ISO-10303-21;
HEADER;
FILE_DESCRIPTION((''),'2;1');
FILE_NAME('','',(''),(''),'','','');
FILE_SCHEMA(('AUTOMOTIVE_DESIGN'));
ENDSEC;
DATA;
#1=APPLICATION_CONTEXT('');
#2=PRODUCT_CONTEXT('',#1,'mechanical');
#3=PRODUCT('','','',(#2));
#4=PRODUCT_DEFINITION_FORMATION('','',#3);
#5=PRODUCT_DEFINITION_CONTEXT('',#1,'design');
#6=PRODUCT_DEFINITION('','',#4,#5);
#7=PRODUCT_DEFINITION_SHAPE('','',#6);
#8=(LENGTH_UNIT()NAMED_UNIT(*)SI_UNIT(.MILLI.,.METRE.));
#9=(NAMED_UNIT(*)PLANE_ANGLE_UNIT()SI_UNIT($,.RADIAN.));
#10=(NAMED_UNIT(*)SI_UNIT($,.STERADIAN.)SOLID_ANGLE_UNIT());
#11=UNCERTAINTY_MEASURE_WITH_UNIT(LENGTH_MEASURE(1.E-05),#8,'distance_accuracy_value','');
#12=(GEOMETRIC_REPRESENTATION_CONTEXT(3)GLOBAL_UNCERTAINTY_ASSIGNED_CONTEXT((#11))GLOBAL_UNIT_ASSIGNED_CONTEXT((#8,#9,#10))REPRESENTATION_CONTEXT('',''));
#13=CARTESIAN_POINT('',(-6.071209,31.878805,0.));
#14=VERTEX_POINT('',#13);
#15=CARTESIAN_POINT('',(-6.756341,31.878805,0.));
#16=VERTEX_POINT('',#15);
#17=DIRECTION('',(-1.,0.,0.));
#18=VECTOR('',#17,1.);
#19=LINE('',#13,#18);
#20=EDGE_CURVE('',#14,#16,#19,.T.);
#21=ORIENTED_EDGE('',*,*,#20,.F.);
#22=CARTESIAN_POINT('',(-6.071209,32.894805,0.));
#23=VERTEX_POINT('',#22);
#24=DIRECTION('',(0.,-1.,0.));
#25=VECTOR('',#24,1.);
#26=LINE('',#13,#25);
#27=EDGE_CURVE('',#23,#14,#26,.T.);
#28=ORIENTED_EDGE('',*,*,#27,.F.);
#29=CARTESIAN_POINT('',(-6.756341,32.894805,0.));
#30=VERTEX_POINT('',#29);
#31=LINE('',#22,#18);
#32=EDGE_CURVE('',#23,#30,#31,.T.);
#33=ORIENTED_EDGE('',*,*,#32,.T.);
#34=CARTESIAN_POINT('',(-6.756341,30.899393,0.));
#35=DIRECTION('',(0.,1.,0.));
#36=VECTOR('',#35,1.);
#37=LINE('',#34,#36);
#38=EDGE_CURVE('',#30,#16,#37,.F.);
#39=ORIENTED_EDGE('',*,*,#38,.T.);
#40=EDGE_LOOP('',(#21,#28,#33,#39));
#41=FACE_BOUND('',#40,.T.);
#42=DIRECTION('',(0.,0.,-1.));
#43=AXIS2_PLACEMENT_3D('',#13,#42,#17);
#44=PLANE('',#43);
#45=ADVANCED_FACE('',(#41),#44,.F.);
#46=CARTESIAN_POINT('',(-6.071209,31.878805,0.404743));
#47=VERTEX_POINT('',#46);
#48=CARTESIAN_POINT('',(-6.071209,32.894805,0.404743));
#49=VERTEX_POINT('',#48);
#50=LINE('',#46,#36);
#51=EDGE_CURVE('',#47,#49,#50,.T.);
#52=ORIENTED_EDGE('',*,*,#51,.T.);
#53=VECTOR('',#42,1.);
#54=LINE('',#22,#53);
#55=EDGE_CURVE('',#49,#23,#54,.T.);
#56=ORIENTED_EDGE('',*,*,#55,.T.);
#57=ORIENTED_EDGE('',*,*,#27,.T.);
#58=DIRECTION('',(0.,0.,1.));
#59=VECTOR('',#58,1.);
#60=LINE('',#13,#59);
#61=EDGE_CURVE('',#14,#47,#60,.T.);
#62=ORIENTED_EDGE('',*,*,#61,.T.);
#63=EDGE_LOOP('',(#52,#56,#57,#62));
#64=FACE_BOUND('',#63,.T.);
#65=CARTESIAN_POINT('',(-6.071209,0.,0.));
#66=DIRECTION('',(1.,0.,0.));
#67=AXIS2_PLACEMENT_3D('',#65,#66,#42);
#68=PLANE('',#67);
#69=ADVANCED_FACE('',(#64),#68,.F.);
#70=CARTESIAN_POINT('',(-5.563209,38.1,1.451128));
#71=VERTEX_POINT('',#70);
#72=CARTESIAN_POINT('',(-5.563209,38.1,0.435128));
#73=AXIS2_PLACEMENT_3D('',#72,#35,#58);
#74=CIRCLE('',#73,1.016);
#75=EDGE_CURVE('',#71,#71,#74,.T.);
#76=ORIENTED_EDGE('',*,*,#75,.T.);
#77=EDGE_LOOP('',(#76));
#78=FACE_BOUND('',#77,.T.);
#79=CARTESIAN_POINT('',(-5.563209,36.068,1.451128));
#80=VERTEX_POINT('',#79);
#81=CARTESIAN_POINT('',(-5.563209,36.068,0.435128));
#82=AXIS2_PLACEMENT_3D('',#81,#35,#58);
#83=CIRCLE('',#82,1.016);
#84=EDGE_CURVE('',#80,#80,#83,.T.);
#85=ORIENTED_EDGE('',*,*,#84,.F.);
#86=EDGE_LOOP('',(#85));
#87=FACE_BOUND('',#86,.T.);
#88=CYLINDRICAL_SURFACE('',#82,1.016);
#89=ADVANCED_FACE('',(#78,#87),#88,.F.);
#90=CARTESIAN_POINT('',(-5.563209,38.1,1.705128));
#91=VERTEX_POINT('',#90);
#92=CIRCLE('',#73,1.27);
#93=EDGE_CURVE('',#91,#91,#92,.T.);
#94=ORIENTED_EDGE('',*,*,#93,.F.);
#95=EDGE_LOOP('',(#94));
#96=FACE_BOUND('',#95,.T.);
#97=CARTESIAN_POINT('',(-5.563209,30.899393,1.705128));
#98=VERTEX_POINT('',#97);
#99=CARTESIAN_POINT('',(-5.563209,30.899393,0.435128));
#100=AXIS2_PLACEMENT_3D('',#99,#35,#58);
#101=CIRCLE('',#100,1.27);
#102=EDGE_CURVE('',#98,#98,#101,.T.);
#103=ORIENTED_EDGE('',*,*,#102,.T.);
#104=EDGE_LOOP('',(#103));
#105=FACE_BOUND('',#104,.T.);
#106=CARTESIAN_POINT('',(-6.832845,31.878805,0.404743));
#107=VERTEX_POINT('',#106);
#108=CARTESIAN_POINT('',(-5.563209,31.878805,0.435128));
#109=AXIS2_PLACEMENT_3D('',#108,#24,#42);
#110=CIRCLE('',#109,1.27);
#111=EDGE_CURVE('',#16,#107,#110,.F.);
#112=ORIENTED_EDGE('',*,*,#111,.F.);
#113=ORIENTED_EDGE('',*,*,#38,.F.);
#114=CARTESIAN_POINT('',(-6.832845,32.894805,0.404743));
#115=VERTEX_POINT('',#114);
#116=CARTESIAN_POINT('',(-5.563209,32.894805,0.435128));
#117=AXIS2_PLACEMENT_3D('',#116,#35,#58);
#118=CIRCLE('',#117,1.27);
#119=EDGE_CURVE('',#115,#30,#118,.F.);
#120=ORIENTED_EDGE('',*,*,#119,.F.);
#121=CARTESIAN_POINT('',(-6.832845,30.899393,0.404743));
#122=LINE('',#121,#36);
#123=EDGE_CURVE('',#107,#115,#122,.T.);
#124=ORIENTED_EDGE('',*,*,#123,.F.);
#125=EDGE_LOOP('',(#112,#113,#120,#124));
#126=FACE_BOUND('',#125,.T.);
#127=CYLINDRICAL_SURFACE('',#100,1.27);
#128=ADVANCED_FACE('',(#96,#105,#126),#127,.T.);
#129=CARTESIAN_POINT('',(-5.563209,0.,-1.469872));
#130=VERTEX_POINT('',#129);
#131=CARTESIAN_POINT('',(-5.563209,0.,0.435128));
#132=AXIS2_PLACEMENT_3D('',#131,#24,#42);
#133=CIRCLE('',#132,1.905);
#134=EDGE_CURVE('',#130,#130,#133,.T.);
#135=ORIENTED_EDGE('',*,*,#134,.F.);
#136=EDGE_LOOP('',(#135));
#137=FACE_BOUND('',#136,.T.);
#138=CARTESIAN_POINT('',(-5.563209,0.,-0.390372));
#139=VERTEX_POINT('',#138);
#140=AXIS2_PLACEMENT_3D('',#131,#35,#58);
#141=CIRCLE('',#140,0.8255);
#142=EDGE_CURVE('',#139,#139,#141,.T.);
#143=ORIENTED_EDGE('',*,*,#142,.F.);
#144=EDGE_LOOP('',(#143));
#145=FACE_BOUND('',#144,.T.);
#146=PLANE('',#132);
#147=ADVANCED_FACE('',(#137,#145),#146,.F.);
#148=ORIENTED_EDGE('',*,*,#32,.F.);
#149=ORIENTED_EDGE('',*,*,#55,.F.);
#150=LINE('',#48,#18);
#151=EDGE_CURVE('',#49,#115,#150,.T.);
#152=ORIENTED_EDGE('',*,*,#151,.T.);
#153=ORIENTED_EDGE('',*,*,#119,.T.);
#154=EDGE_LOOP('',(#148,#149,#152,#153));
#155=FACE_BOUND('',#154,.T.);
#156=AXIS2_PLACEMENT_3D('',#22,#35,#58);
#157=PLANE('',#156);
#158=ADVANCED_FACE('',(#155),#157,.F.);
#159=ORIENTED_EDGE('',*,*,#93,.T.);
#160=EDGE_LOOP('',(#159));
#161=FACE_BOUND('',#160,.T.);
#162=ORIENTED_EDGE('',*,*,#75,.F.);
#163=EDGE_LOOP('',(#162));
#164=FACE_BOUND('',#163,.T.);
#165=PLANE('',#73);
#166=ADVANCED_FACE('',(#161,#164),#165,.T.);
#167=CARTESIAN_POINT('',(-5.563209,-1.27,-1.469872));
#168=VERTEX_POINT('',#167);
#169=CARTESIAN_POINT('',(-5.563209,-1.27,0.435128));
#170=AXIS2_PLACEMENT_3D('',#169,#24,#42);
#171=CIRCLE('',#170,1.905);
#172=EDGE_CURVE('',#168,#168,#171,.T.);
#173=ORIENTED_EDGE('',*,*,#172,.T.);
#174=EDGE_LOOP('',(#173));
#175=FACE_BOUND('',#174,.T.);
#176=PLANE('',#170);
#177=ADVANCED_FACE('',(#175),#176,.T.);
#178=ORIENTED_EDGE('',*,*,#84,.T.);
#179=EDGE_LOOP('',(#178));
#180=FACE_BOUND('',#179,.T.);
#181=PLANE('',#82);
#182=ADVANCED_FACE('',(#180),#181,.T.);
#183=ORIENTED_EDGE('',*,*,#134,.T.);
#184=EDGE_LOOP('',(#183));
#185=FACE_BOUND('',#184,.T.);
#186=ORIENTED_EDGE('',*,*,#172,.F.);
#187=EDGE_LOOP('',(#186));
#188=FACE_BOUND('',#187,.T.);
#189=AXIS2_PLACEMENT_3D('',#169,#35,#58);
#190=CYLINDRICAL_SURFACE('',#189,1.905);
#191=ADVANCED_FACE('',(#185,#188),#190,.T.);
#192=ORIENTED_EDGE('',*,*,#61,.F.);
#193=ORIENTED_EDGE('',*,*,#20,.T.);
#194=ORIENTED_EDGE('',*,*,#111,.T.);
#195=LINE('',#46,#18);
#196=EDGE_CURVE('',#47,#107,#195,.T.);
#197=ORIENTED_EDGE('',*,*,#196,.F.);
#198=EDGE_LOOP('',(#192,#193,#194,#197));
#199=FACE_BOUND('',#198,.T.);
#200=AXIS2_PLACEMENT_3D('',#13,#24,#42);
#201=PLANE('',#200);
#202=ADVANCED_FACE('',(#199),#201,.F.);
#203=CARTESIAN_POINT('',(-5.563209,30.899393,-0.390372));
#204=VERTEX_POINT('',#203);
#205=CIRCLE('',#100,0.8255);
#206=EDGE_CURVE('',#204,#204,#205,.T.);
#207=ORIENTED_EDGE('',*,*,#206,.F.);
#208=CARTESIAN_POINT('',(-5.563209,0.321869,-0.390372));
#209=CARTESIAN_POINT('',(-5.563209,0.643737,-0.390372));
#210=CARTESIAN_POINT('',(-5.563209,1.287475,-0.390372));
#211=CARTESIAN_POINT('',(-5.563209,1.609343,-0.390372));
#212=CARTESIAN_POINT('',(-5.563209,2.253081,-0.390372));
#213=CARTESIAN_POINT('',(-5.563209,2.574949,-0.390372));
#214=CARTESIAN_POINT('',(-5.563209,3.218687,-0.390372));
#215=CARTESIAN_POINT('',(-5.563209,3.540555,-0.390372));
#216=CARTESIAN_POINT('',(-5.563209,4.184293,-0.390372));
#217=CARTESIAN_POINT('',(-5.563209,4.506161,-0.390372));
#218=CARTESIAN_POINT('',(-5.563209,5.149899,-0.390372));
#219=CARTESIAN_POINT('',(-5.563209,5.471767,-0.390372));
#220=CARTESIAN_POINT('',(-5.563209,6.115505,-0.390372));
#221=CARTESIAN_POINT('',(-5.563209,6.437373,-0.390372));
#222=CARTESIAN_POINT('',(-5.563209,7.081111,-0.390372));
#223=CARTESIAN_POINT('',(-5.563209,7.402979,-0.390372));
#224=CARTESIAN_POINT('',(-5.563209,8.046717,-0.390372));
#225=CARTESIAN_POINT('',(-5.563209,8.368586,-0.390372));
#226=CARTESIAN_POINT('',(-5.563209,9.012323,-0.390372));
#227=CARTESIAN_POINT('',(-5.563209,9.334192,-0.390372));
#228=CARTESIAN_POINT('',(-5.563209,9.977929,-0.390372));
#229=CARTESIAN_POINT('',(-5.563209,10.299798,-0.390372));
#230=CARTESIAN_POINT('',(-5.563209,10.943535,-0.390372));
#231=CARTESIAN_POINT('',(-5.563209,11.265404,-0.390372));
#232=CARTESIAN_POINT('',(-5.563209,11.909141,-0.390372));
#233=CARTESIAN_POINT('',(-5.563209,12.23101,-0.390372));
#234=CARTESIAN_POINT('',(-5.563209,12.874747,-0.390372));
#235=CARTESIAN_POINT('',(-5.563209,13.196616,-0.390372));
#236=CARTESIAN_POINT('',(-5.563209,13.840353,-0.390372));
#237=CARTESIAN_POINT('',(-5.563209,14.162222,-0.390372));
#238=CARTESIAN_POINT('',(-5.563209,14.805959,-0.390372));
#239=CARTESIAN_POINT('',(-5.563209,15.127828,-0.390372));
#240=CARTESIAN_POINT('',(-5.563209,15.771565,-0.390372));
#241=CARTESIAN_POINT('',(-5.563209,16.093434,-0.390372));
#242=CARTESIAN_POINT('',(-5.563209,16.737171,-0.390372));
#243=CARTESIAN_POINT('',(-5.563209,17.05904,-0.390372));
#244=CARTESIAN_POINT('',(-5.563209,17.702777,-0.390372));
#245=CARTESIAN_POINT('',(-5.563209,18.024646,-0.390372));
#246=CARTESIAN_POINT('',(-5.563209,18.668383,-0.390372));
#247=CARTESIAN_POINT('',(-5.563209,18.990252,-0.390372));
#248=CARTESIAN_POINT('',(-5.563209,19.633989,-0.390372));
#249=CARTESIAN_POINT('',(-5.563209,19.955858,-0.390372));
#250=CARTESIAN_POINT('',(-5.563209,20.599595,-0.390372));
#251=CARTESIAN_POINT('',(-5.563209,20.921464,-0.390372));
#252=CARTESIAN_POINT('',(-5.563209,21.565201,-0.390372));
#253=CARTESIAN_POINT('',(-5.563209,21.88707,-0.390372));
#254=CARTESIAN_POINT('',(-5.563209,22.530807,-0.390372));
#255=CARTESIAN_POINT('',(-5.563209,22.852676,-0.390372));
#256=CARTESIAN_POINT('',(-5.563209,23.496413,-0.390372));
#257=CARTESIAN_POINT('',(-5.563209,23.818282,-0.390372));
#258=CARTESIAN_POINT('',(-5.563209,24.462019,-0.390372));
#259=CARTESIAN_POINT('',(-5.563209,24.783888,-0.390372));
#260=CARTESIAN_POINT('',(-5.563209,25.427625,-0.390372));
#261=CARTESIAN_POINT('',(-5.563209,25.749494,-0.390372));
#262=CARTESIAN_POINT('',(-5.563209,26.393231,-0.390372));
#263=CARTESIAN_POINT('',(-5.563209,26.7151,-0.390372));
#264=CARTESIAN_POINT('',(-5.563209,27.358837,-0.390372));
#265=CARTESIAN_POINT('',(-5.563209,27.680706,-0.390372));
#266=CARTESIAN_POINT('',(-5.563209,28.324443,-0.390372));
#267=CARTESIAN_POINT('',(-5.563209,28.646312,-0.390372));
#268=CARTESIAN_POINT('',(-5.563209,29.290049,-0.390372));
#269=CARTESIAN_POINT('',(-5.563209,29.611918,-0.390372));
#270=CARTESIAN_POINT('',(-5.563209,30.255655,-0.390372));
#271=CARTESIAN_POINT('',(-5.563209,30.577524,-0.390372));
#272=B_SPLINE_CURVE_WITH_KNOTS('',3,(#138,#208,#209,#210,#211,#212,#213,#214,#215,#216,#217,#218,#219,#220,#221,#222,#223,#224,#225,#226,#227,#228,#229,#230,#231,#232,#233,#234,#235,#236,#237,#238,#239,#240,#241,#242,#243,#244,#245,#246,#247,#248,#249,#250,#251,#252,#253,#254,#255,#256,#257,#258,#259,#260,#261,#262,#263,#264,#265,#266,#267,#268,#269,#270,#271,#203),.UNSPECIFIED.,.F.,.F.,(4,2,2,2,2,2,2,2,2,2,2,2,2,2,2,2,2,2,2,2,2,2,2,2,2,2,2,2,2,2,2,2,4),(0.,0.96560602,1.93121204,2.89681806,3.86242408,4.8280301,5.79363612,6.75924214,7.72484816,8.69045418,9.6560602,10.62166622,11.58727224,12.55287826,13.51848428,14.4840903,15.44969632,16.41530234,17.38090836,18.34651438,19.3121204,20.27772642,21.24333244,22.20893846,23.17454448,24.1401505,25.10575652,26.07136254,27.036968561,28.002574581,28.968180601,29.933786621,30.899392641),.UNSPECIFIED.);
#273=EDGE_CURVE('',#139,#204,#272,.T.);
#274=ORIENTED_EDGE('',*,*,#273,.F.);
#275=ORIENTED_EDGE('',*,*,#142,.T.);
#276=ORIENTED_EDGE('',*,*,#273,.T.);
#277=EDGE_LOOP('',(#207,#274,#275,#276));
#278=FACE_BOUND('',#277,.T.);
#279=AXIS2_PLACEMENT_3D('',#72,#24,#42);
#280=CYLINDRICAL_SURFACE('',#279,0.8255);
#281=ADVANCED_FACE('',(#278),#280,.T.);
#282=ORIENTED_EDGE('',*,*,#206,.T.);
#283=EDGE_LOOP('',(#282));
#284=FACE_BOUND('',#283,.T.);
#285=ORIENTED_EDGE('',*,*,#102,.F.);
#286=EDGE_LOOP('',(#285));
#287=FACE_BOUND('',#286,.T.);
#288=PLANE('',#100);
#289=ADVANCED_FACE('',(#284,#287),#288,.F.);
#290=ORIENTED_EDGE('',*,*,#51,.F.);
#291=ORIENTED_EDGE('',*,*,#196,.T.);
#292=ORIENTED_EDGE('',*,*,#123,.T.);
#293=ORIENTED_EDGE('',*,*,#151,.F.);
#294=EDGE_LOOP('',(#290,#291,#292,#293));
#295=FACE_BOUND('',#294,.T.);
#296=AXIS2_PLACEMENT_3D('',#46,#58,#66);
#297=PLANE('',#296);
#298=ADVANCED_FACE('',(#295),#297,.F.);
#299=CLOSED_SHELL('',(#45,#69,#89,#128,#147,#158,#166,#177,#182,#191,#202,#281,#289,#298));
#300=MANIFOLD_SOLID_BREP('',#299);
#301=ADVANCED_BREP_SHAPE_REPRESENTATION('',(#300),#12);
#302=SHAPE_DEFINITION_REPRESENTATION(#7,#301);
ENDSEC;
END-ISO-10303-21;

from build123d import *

# Parameters (mm, degrees)
SKETCH1_R           = 0.8255
BOSS_EXTRUDE1_DEPTH = 38.1
SKETCH3_R           = 1.905
BOSS_EXTRUDE2_DEPTH = 1.27
SKETCH6_R           = 1.27
BOSS_EXTRUDE5_DEPTH = 7.200607359
SKETCH8_R           = 1.016
CUT_EXTRUDE2_DEPTH  = 2.032
SKETCH9_W           = 0.40474265
SKETCH9_H           = 1.016
CUT_EXTRUDE3_DEPTH  = 0.762


with BuildPart() as part:
    # Sketch1 → Boss-Extrude1 (new body)
    with BuildSketch(Plane(origin=(0, 0, 0), x_dir=(1, 0, 0), z_dir=(0, 1, 0))):
        with Locations(Location((-5.56320867, -0.435127994, 0), (0, 0, 90))):
            Circle(SKETCH1_R)
    extrude(amount=BOSS_EXTRUDE1_DEPTH)

    # Sketch3 → Boss-Extrude2 (add)
    with BuildSketch(Plane.XZ):
        with Locations(Location((-5.56320867, 0.435127994, 0), (0, 0, 270))):
            Circle(SKETCH3_R)
    extrude(amount=BOSS_EXTRUDE2_DEPTH)

    # Sketch6 → Boss-Extrude5 (add)
    with BuildSketch(Plane(origin=(0, 38.1, 0), x_dir=(1, 0, 0), z_dir=(0, 1, 0))):
        with Locations(Location((-5.56320867, -0.435127994, 0), (0, 0, 270))):
            Circle(SKETCH6_R)
    extrude(amount=-BOSS_EXTRUDE5_DEPTH)

    # Sketch8 → Cut-Extrude2 (cut)
    with BuildSketch(Plane(origin=(0, 38.1, 0), x_dir=(1, 0, 0), z_dir=(0, 1, 0))):
        with Locations(Location((-5.56320867, -0.435127994, 0), (0, 0, 270))):
            Circle(SKETCH8_R)
    extrude(amount=-CUT_EXTRUDE2_DEPTH, mode=Mode.SUBTRACT)

    # Sketch9 → Cut-Extrude3 (cut)
    with BuildSketch(Plane.ZY.offset(6.83320867)):
        with Locations((0.202371325, 32.386805083)):
            Rectangle(SKETCH9_W, SKETCH9_H)
    extrude(amount=-CUT_EXTRUDE3_DEPTH, mode=Mode.SUBTRACT)


solid = part.part
